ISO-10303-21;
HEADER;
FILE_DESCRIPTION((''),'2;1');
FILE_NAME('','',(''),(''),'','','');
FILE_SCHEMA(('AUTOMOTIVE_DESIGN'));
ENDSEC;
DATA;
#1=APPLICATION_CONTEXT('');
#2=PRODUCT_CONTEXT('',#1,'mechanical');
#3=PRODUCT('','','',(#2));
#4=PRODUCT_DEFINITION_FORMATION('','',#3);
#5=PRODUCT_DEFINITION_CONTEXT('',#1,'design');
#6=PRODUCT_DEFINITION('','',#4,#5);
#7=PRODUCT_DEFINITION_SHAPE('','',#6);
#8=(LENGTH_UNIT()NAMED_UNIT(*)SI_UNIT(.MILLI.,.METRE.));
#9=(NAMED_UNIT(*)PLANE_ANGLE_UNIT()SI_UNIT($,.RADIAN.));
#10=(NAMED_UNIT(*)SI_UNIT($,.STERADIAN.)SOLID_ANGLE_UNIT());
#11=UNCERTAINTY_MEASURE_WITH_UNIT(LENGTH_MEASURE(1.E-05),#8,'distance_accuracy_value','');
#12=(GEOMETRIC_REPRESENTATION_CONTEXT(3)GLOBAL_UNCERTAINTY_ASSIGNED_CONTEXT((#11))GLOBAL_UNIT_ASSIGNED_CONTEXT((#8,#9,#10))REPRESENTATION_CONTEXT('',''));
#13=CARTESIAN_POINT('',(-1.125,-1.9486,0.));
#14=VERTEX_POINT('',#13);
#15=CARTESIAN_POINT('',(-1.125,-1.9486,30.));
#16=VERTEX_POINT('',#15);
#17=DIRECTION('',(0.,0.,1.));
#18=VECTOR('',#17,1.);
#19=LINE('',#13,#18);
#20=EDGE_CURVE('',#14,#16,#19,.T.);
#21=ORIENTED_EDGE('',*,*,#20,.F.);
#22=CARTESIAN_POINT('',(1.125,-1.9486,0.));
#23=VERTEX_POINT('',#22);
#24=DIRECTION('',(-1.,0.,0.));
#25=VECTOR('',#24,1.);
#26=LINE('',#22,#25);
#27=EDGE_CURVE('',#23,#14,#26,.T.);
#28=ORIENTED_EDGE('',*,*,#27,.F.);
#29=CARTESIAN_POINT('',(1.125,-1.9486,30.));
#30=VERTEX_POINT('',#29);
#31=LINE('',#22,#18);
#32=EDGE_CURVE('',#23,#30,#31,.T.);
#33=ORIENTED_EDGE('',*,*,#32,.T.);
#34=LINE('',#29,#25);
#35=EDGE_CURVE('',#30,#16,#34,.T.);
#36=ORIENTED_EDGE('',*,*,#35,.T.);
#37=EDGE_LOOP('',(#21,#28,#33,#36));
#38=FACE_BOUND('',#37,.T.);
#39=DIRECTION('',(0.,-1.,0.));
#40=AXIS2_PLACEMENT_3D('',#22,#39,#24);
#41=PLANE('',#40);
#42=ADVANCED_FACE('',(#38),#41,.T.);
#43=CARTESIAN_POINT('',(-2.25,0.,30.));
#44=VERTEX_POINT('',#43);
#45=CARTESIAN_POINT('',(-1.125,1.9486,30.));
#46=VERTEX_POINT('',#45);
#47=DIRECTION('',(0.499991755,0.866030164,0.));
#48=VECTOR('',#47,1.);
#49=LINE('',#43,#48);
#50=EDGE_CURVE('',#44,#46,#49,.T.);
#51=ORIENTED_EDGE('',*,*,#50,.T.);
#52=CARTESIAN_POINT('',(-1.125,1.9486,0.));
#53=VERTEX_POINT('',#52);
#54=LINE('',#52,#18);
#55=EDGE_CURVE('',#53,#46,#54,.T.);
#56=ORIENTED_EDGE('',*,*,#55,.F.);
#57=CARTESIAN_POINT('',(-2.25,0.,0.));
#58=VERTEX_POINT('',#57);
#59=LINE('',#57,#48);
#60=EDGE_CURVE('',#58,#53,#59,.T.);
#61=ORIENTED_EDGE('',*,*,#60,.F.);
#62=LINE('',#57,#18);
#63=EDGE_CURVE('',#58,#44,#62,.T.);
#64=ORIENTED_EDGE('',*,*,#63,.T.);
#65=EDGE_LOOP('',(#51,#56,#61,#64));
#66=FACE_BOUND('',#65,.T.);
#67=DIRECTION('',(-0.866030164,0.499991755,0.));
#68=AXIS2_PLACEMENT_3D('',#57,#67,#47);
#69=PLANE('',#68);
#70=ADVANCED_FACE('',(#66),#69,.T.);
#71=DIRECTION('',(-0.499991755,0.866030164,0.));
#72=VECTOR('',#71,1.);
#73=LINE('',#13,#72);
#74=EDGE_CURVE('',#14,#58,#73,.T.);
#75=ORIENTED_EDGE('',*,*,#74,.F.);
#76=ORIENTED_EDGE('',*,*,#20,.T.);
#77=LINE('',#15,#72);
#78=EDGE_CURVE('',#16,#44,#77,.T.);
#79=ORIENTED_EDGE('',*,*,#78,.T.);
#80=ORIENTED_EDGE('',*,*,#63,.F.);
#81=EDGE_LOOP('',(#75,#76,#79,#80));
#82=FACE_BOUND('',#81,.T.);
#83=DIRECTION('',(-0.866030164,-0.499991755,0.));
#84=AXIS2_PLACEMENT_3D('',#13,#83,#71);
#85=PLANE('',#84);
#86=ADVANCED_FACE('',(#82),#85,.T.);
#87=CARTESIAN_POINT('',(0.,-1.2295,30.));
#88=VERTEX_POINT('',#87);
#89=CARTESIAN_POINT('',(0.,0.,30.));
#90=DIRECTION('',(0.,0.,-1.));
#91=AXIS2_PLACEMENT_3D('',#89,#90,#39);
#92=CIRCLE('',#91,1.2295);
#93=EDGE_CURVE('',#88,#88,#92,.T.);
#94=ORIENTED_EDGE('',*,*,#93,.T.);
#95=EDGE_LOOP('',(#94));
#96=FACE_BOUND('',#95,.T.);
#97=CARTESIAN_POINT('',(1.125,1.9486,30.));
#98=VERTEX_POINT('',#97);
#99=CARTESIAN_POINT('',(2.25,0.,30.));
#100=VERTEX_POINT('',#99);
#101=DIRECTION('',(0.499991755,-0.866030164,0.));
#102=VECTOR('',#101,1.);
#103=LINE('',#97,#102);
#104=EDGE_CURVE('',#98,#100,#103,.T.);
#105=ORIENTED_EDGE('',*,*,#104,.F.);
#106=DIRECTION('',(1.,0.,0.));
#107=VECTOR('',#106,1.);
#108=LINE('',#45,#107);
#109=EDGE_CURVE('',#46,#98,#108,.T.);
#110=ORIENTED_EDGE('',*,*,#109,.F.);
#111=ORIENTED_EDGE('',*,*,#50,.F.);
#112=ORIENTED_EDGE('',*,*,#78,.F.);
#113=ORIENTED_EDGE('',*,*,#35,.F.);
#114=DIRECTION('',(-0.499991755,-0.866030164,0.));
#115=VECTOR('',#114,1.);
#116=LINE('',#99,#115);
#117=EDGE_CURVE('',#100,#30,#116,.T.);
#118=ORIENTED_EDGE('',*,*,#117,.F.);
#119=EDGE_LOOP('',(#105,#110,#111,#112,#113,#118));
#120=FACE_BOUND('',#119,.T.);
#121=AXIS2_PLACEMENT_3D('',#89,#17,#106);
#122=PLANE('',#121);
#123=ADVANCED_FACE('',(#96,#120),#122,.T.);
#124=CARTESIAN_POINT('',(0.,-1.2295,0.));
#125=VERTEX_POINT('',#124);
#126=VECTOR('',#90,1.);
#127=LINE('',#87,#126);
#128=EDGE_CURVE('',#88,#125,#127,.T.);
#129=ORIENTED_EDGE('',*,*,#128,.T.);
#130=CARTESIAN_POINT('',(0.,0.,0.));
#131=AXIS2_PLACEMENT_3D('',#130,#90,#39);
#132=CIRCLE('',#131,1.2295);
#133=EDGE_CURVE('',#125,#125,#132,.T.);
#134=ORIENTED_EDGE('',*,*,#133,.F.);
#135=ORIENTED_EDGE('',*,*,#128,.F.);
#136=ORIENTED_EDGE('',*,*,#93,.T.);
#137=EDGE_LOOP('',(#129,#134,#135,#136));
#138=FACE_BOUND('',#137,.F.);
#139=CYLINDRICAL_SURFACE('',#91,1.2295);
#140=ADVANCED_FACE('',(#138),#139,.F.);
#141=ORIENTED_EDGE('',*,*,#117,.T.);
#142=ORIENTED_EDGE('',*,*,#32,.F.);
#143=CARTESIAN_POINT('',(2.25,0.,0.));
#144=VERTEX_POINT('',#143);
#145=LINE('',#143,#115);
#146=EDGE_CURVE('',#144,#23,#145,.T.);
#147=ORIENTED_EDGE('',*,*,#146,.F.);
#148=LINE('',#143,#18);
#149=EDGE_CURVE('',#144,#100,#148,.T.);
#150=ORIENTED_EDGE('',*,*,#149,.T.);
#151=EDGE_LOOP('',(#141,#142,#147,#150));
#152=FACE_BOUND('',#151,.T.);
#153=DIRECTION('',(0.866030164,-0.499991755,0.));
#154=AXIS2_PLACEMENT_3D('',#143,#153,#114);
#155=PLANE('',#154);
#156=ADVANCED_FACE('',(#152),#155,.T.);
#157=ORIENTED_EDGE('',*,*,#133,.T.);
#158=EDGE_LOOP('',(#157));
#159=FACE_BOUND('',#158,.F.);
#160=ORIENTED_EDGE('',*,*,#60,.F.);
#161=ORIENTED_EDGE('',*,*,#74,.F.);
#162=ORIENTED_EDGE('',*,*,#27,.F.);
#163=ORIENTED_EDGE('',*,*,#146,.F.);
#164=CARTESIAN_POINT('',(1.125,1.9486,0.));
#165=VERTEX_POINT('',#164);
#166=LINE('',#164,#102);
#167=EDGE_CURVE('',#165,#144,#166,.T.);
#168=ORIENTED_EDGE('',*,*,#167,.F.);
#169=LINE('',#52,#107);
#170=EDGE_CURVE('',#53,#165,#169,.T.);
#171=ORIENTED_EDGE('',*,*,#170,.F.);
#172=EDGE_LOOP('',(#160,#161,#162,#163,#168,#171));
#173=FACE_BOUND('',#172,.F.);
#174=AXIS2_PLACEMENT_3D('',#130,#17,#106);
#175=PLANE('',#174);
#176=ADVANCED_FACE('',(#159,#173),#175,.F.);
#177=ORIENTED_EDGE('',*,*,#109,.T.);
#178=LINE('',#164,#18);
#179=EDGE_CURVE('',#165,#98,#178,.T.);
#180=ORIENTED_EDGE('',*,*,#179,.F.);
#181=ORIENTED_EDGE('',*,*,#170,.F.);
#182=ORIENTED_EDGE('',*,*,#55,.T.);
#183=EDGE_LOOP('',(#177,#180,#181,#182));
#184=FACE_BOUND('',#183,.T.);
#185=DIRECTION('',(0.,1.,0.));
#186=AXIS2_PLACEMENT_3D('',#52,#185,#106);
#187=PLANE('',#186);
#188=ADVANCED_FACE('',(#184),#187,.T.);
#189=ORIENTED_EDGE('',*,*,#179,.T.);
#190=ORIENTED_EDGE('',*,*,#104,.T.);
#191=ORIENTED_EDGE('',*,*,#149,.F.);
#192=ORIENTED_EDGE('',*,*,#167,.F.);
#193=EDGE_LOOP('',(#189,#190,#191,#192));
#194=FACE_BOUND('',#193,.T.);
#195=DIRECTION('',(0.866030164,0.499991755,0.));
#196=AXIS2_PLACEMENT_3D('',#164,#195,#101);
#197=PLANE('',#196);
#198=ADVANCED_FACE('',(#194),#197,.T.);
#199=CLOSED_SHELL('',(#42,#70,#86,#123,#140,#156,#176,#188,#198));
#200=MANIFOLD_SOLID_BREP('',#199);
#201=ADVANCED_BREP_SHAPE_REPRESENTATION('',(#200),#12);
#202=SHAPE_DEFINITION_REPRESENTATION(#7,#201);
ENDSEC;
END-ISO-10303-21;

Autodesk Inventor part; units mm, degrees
ref_plane "YZ Plane" through (0, 0, 0) normal (1, 0, 0) x (0, 1, 0)
ref_plane "XZ Plane" through (0, 0, 0) normal (0, 1, 0) x (-1, 0, 0)
ref_plane "XY Plane" through (0, 0, 0) normal (0, 0, 1) x (1, 0, 0)
sketch "Base" plane through (0, 0, 0) normal (0, 0, 1) x (1, 0, 0)
  circle A0 centre (0, 0) radius 1.5 construction
  circle A1 centre (0, 0) radius 2.25 construction
  line L0 (1.125, 1.9486) -> (2.25, 0)
  line L1 (2.25, 0) -> (1.125, -1.9486)
  line L2 (1.125, -1.9486) -> (-1.125, -1.9486)
  line L3 (-1.125, -1.9486) -> (-2.25, 0)
  line L4 (-2.25, 0) -> (-1.125, 1.9486)
  line L5 (-1.125, 1.9486) -> (1.125, 1.9486)
  line L6 (-3.15, 0) -> (3.15, 0) projected
  dimension "d1" = 4.5
  dimension "d0" = 3
extrude "BaseFeature" add sketch "Base" along normal blind 30
sketch "MountHole" plane through (0, 0, 30) normal (0, 0, 1) x (1, 0, 0)
  point P0 (0, 0)
hole "MountHoleFeature" at (0, 0, 30) direction (0, 0, -1) diameter 2.459 end through all thread size "M3x0.5" class "6H" standard "ISO Metric profile"
properties part number "M3-Standoff-30mm"
